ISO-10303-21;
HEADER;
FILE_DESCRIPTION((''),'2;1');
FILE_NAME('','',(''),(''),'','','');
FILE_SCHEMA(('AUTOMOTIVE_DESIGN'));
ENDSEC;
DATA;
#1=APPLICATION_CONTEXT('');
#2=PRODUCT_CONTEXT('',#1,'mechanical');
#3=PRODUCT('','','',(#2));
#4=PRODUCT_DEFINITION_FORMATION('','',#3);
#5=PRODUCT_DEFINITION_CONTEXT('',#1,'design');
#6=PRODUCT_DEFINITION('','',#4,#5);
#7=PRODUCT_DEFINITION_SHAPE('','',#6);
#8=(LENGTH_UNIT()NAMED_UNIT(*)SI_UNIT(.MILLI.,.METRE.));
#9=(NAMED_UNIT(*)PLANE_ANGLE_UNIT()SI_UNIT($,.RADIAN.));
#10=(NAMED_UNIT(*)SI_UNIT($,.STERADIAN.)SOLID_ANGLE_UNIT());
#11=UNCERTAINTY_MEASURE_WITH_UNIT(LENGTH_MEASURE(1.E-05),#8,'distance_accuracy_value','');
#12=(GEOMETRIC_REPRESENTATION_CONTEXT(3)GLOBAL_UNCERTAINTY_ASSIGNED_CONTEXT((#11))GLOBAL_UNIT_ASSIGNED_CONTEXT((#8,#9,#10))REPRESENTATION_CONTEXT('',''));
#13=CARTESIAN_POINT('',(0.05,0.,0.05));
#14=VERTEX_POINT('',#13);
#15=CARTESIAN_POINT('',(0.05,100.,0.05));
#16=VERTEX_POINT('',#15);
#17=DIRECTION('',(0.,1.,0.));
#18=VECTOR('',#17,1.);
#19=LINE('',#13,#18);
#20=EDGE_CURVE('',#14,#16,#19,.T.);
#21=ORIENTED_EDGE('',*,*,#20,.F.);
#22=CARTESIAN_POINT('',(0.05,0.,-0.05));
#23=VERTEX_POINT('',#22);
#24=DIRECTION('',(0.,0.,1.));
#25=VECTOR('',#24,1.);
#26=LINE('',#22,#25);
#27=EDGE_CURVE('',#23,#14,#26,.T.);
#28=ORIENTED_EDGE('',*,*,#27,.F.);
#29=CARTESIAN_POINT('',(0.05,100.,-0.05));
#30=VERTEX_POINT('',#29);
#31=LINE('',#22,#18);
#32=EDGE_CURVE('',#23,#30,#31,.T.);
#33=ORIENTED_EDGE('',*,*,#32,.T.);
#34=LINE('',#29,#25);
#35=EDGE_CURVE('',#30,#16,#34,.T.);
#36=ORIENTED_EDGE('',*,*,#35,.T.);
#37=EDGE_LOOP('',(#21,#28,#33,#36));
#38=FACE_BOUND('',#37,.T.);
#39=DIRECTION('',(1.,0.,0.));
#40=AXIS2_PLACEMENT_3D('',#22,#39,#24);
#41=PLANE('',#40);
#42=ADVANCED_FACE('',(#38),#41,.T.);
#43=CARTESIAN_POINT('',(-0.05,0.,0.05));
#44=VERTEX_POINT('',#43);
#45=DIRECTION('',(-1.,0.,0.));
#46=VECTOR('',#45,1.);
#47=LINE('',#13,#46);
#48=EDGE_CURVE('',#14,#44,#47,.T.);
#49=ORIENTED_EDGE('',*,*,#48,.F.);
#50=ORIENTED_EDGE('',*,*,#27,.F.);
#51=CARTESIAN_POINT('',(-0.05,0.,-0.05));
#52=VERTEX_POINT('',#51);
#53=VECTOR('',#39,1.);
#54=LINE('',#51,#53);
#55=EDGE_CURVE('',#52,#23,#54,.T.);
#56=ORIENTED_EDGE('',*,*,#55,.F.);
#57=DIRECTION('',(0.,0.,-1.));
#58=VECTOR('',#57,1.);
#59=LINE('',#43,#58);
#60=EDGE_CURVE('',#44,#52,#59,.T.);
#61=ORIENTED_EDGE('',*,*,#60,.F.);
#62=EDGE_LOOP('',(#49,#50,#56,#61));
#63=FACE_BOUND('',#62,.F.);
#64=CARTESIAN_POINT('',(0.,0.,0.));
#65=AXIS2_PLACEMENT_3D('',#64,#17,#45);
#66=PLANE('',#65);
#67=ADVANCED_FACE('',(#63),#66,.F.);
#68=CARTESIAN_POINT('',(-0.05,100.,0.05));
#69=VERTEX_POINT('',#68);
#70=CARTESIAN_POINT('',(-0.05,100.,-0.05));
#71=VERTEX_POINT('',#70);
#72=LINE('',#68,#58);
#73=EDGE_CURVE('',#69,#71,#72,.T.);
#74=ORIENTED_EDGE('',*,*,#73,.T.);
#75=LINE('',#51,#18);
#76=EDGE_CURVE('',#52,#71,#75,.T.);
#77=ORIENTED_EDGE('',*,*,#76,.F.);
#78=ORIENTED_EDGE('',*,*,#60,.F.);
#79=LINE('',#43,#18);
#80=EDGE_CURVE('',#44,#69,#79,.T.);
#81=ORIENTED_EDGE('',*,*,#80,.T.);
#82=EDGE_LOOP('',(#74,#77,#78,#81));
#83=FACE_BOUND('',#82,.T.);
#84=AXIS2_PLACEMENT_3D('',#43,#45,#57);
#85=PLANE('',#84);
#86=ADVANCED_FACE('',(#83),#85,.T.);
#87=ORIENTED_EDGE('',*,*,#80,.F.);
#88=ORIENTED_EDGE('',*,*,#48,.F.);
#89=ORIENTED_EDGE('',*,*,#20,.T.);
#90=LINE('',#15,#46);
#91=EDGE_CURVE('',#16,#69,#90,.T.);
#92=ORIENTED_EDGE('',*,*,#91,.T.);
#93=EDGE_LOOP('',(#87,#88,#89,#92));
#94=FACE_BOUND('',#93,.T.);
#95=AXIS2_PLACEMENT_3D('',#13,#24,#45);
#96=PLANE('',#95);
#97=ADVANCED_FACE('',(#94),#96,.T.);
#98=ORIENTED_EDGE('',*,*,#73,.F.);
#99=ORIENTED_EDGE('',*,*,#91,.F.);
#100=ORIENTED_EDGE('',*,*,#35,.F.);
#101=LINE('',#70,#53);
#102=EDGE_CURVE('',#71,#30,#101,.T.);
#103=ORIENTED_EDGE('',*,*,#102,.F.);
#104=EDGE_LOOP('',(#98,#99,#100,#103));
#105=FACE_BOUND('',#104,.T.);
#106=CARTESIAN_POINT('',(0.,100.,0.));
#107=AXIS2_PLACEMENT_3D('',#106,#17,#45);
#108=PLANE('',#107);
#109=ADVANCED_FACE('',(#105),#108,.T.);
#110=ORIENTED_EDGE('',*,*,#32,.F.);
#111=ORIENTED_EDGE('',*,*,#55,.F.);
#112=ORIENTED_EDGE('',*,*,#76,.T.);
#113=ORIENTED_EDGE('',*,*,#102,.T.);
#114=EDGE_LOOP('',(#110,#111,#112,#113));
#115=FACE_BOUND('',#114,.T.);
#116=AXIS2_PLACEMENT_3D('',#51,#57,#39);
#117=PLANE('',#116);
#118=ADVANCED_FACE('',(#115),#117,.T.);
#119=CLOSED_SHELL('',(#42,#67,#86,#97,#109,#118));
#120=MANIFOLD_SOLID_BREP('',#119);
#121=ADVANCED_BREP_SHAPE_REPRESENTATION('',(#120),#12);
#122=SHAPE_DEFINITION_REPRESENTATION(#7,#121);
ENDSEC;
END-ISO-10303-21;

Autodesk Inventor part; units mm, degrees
ref_plane "YZ Plane" through (0, 0, 0) normal (1, 0, 0) x (0, 1, 0)
ref_plane "XZ Plane" through (0, 0, 0) normal (0, 1, 0) x (-1, 0, 0)
ref_plane "XY Plane" through (0, 0, 0) normal (0, 0, 1) x (1, 0, 0)
sketch "Boceto1" plane through (0, 0, 0) normal (0, 1, 0) x (-1, 0, 0)
  line L0 (-0.05, 0.05) -> (0.05, 0.05)
  line L1 (0.05, 0.05) -> (0.05, -0.05)
  line L2 (0.05, -0.05) -> (-0.05, -0.05)
  line L3 (-0.05, -0.05) -> (-0.05, 0.05)
  line L4 (-0.05, 0.05) -> (0.05, -0.05) construction
  line L5 (0.05, 0.05) -> (-0.05, -0.05) construction
  point P0 (0, 0)
  dimension "d0" = 0.1
  dimension "d1" = 0.1
extrude "Extrusión1" add sketch "Boceto1" along normal blind 100
properties part number "auxiliar"
